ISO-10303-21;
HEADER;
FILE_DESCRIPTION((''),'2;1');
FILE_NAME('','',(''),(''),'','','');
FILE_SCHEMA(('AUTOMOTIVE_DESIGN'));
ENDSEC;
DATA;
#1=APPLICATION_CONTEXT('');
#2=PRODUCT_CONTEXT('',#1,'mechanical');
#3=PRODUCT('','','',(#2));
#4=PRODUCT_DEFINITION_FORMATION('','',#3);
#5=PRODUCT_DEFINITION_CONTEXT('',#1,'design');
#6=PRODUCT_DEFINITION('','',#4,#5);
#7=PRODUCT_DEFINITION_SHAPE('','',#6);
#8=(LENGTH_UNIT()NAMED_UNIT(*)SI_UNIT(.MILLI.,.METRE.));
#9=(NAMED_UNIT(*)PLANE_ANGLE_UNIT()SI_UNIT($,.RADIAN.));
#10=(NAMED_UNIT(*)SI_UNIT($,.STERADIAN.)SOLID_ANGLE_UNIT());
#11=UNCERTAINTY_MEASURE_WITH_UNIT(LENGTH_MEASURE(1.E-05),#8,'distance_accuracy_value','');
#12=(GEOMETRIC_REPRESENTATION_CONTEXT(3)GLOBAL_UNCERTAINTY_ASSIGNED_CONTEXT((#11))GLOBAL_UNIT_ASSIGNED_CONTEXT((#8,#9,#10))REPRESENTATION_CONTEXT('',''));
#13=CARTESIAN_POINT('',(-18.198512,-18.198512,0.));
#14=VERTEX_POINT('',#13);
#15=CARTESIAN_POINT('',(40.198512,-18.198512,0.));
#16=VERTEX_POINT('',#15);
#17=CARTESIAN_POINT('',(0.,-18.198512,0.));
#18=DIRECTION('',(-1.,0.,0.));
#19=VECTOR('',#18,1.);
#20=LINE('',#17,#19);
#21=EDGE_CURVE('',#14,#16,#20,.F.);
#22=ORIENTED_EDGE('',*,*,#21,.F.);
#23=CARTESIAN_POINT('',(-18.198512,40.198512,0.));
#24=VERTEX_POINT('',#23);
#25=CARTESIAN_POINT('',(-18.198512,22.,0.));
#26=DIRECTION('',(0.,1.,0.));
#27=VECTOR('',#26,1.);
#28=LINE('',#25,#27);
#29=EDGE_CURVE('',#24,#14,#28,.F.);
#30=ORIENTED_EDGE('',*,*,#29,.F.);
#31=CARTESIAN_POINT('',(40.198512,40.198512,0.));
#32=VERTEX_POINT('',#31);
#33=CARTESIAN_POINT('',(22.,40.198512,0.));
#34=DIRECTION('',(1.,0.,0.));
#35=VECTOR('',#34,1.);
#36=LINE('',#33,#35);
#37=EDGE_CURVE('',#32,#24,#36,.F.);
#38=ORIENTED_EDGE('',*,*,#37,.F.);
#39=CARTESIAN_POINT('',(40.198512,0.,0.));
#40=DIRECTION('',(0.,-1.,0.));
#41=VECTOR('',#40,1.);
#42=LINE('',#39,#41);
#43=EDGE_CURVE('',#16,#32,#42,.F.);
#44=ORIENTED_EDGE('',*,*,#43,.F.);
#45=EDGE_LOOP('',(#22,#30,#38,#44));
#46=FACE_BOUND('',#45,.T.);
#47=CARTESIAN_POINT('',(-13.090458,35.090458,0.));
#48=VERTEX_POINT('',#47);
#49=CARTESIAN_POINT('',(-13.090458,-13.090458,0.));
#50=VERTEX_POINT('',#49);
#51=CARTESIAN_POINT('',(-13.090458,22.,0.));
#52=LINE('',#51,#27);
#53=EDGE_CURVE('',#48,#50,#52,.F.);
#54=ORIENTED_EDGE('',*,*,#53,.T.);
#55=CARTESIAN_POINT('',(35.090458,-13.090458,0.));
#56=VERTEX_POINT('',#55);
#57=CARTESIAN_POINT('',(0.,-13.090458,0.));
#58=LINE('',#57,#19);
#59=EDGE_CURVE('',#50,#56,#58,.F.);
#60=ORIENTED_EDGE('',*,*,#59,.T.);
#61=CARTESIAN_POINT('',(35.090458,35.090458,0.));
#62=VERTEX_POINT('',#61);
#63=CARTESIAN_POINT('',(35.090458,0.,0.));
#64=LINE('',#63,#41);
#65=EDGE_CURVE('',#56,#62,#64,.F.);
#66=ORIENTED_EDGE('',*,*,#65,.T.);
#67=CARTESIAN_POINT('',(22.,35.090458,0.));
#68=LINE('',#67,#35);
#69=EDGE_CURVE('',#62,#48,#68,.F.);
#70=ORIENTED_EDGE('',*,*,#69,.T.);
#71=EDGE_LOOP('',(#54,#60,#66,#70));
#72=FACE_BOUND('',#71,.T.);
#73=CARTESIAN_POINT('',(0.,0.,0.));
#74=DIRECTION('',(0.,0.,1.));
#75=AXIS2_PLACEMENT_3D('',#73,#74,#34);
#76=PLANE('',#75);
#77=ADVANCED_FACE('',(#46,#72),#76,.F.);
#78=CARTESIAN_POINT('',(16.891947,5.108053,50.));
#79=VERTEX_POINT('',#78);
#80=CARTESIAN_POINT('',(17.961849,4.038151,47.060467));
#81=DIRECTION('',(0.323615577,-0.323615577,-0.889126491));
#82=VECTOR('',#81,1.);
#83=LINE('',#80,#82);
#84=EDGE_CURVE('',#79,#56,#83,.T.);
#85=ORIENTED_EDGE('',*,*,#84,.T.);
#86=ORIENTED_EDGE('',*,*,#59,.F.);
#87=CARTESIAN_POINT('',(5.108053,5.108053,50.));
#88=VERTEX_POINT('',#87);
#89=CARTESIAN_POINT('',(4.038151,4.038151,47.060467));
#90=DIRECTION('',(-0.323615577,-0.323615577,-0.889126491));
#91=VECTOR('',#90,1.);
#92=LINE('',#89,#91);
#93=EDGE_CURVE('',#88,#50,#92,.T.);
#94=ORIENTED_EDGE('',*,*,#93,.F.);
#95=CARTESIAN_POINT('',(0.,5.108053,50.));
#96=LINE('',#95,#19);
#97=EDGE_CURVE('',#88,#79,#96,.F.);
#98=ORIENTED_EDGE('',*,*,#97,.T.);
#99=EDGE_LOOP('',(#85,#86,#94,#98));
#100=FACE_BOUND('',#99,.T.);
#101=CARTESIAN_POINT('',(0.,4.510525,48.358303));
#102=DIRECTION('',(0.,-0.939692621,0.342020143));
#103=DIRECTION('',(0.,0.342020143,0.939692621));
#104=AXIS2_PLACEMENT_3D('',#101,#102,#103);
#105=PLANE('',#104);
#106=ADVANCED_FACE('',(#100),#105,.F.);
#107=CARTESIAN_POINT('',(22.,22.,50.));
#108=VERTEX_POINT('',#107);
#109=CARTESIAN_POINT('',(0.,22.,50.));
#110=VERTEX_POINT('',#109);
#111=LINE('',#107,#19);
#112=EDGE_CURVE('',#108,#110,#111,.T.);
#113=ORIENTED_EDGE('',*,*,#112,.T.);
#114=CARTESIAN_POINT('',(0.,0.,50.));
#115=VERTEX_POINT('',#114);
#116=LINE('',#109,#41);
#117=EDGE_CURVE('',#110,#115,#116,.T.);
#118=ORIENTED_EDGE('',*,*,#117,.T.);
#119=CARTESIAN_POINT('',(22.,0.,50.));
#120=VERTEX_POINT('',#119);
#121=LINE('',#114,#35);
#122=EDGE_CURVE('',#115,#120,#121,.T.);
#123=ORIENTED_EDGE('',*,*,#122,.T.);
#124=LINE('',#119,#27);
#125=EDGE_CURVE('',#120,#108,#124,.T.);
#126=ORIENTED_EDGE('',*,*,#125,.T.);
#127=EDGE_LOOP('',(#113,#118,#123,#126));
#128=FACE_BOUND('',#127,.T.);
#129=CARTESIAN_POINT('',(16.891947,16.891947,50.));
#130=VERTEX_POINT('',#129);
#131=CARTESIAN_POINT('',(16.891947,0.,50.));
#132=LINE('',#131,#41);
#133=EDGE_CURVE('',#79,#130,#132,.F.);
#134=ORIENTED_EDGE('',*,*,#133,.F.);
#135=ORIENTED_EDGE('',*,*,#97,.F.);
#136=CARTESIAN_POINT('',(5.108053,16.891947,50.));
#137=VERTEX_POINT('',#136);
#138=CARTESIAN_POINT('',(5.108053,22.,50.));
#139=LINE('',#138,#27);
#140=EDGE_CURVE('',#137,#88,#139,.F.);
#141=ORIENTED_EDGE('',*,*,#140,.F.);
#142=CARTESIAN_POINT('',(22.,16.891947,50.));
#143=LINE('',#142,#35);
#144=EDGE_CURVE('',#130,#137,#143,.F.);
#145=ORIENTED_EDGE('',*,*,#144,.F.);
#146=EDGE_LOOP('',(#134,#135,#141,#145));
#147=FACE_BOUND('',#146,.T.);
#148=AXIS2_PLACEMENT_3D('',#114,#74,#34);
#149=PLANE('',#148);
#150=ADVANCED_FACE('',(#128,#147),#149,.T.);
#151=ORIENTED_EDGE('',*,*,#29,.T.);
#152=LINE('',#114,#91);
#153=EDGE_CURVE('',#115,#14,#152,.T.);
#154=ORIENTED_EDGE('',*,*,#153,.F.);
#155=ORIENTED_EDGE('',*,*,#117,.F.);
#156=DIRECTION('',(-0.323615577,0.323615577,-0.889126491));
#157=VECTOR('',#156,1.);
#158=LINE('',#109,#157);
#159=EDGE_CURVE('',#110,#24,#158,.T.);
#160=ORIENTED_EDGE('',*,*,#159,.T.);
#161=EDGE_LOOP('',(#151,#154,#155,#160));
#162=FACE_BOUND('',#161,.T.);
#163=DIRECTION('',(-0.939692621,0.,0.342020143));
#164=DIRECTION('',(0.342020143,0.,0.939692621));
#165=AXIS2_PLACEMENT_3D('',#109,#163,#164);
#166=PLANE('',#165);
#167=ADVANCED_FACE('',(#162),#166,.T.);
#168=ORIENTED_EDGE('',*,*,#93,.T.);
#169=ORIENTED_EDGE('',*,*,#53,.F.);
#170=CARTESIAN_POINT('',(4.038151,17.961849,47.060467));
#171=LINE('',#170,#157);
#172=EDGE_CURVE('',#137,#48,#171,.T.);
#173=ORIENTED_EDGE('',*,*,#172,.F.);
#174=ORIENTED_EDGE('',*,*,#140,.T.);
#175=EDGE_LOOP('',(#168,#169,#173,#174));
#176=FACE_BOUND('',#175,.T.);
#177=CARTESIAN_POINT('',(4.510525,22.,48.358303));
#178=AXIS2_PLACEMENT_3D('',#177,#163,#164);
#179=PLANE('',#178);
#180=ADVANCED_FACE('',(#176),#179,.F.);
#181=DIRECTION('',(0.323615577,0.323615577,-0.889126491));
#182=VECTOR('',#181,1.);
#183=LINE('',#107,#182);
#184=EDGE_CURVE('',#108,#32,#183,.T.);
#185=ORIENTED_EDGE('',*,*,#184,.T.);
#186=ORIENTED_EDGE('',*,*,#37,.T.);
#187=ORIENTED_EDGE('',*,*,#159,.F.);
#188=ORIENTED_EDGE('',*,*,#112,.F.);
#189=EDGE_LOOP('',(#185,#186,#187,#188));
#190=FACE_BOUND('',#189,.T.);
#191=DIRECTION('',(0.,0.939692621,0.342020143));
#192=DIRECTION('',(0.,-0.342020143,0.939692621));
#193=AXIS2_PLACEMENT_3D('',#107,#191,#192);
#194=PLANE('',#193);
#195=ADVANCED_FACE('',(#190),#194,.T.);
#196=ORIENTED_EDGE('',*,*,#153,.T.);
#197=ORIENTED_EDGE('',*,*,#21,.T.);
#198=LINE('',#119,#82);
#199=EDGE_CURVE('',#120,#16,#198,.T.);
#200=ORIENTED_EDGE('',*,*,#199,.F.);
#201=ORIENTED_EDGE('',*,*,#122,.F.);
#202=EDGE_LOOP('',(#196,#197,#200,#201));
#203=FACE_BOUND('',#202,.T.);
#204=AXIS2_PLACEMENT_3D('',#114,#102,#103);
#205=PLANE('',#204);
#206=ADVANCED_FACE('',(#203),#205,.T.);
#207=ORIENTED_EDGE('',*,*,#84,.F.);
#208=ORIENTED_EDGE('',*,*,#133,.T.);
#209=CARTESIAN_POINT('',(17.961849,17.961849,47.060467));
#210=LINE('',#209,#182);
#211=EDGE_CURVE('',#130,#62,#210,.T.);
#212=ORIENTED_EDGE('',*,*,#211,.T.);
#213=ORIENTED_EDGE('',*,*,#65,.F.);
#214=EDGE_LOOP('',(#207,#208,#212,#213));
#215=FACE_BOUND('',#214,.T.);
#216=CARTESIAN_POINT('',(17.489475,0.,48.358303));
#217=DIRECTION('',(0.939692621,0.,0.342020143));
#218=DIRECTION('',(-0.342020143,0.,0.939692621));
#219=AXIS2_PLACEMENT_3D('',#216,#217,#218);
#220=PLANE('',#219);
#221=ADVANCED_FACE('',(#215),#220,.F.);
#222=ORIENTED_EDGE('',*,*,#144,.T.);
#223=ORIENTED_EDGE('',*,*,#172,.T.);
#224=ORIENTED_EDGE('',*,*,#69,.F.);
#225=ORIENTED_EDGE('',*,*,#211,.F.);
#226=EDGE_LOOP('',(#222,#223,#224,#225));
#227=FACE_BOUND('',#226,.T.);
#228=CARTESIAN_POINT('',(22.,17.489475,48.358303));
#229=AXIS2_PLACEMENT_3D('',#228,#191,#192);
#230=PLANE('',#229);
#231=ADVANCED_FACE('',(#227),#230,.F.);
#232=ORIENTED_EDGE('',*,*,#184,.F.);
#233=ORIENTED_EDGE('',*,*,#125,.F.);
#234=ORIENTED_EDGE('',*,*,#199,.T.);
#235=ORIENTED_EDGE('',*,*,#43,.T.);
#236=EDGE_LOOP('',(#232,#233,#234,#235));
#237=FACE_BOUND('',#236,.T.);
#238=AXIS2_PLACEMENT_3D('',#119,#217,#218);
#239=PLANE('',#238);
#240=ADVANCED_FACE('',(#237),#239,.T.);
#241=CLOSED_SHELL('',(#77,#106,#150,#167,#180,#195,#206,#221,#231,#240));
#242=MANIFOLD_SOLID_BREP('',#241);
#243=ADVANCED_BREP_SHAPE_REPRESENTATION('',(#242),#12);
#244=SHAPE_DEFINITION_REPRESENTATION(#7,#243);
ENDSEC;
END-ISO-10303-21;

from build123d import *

# Parameters (mm, degrees)
SKETCH7_W           = 22
SKETCH7_H           = 22
BOSS_EXTRUDE2_DEPTH = 50
DRAFT2_ANGLE        = 20
SHELL2_T            = -4.8


with BuildPart() as part:
    # Sketch7 → Boss-Extrude2 (new body)
    with BuildSketch(Plane.XY):
        with Locations((11, 11)):
            Rectangle(SKETCH7_W, SKETCH7_H)
    extrude(amount=BOSS_EXTRUDE2_DEPTH)

    # Draft2
    draft2_faces = [part.faces().sort_by_distance(p)[0] for p in [
        (22, 11, 25),
        (11, 0, 25),
        (0, 11, 25),
        (11, 22, 25),
    ]]
    draft(draft2_faces, Plane.XY.offset(50), DRAFT2_ANGLE)

    # Shell2
    shell2_openings = [part.faces().sort_by_distance(p)[0] for p in [
        (11, 11, 50),
        (11, 11, 0),
    ]]
    offset(amount=SHELL2_T, openings=shell2_openings, kind=Kind.INTERSECTION)


solid = part.part
